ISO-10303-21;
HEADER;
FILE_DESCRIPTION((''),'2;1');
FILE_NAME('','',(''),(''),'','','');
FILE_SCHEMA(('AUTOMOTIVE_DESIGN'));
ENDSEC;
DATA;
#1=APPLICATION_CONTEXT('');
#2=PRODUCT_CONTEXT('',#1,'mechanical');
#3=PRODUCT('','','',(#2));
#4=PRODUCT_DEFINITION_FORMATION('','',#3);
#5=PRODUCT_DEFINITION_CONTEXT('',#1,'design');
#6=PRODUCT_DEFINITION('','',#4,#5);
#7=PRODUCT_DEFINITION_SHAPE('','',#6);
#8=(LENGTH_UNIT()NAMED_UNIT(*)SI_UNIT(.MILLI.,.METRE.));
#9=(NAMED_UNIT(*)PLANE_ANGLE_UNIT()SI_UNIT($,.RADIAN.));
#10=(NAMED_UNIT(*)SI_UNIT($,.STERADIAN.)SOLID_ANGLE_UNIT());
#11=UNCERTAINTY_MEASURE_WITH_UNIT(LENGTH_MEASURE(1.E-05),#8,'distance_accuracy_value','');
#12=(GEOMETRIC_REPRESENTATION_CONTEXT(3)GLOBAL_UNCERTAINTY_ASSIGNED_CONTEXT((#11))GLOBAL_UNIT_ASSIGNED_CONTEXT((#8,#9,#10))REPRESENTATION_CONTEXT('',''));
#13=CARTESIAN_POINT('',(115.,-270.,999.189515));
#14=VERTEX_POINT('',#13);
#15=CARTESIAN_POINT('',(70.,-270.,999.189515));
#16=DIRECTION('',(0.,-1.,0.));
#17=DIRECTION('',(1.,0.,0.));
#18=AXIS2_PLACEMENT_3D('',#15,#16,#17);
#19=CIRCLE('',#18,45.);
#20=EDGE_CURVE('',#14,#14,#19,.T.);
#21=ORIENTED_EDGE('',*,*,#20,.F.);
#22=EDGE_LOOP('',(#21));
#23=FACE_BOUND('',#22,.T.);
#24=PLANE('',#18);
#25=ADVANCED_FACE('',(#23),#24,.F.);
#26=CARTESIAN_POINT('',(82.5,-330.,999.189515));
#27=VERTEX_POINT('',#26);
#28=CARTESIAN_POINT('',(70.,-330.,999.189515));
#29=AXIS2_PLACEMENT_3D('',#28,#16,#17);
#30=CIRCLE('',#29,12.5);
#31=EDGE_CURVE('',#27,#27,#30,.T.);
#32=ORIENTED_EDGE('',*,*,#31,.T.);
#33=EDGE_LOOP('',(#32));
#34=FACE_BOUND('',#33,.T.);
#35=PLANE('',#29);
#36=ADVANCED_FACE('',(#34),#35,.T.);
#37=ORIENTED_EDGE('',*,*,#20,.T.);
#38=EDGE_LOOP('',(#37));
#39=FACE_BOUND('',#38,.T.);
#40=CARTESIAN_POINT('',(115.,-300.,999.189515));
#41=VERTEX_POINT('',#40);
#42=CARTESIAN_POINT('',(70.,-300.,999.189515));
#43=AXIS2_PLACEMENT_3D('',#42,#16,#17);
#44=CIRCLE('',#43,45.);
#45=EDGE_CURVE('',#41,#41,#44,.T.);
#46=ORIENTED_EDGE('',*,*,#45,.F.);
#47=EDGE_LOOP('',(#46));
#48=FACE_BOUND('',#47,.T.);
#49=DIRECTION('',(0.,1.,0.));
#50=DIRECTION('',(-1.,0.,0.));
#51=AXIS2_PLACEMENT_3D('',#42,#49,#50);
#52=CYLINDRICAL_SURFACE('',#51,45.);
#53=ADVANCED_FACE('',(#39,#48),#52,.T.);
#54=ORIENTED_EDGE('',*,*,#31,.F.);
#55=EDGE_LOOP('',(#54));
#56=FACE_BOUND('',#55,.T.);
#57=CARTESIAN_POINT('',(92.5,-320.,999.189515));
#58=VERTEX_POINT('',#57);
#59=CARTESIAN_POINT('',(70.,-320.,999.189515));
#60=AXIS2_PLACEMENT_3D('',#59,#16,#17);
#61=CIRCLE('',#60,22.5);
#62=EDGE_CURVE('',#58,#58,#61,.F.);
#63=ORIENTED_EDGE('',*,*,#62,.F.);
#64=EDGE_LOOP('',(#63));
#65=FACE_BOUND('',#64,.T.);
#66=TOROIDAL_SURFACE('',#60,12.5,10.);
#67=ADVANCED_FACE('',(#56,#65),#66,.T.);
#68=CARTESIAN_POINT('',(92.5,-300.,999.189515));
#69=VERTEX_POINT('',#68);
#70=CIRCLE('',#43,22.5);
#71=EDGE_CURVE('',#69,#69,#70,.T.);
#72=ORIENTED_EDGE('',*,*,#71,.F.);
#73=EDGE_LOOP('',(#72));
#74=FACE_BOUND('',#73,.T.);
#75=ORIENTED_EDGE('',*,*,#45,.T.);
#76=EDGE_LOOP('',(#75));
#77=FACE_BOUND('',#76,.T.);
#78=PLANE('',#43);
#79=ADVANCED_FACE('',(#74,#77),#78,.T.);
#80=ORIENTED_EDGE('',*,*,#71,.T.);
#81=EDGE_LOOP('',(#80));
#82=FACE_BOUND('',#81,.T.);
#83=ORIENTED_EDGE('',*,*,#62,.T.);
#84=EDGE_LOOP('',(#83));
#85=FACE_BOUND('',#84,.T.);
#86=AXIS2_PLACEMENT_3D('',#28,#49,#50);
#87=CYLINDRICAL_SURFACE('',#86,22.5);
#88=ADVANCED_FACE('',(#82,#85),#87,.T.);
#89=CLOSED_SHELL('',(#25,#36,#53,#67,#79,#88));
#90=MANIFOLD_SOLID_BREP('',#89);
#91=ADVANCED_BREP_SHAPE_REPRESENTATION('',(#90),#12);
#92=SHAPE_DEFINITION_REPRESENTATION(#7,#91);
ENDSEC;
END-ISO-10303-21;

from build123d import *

# Parameters (mm, degrees)
SKETCH1_R           = 45
SKETCH1_R_2         = 22.5
BOSS_EXTRUDE1_DEPTH = 30
SKETCH2_R           = 22.5
BOSS_EXTRUDE2_DEPTH = 60
FILLET1_R           = 10


with BuildPart() as part:
    # Sketch1 → Boss-Extrude1 (new body)
    with BuildSketch(Plane.XZ.offset(270)):
        with Locations((70, 999.189515243)):
            Circle(SKETCH1_R)
        with Locations((70, 999.189515243)):
            Circle(SKETCH1_R_2, mode=Mode.SUBTRACT)
    extrude(amount=BOSS_EXTRUDE1_DEPTH)

    # Sketch2 → Boss-Extrude2 (add)
    with BuildSketch(Plane.XZ.offset(270)):
        with Locations((70, 999.189515243)):
            Circle(SKETCH2_R)
    extrude(amount=BOSS_EXTRUDE2_DEPTH)

    # Fillet1
    fillet1_edges = [part.edges().sort_by_distance(p)[0] for p in [
        (47.5, -330, 999.189515243),
    ]]
    fillet(fillet1_edges, radius=FILLET1_R)


solid = part.part
